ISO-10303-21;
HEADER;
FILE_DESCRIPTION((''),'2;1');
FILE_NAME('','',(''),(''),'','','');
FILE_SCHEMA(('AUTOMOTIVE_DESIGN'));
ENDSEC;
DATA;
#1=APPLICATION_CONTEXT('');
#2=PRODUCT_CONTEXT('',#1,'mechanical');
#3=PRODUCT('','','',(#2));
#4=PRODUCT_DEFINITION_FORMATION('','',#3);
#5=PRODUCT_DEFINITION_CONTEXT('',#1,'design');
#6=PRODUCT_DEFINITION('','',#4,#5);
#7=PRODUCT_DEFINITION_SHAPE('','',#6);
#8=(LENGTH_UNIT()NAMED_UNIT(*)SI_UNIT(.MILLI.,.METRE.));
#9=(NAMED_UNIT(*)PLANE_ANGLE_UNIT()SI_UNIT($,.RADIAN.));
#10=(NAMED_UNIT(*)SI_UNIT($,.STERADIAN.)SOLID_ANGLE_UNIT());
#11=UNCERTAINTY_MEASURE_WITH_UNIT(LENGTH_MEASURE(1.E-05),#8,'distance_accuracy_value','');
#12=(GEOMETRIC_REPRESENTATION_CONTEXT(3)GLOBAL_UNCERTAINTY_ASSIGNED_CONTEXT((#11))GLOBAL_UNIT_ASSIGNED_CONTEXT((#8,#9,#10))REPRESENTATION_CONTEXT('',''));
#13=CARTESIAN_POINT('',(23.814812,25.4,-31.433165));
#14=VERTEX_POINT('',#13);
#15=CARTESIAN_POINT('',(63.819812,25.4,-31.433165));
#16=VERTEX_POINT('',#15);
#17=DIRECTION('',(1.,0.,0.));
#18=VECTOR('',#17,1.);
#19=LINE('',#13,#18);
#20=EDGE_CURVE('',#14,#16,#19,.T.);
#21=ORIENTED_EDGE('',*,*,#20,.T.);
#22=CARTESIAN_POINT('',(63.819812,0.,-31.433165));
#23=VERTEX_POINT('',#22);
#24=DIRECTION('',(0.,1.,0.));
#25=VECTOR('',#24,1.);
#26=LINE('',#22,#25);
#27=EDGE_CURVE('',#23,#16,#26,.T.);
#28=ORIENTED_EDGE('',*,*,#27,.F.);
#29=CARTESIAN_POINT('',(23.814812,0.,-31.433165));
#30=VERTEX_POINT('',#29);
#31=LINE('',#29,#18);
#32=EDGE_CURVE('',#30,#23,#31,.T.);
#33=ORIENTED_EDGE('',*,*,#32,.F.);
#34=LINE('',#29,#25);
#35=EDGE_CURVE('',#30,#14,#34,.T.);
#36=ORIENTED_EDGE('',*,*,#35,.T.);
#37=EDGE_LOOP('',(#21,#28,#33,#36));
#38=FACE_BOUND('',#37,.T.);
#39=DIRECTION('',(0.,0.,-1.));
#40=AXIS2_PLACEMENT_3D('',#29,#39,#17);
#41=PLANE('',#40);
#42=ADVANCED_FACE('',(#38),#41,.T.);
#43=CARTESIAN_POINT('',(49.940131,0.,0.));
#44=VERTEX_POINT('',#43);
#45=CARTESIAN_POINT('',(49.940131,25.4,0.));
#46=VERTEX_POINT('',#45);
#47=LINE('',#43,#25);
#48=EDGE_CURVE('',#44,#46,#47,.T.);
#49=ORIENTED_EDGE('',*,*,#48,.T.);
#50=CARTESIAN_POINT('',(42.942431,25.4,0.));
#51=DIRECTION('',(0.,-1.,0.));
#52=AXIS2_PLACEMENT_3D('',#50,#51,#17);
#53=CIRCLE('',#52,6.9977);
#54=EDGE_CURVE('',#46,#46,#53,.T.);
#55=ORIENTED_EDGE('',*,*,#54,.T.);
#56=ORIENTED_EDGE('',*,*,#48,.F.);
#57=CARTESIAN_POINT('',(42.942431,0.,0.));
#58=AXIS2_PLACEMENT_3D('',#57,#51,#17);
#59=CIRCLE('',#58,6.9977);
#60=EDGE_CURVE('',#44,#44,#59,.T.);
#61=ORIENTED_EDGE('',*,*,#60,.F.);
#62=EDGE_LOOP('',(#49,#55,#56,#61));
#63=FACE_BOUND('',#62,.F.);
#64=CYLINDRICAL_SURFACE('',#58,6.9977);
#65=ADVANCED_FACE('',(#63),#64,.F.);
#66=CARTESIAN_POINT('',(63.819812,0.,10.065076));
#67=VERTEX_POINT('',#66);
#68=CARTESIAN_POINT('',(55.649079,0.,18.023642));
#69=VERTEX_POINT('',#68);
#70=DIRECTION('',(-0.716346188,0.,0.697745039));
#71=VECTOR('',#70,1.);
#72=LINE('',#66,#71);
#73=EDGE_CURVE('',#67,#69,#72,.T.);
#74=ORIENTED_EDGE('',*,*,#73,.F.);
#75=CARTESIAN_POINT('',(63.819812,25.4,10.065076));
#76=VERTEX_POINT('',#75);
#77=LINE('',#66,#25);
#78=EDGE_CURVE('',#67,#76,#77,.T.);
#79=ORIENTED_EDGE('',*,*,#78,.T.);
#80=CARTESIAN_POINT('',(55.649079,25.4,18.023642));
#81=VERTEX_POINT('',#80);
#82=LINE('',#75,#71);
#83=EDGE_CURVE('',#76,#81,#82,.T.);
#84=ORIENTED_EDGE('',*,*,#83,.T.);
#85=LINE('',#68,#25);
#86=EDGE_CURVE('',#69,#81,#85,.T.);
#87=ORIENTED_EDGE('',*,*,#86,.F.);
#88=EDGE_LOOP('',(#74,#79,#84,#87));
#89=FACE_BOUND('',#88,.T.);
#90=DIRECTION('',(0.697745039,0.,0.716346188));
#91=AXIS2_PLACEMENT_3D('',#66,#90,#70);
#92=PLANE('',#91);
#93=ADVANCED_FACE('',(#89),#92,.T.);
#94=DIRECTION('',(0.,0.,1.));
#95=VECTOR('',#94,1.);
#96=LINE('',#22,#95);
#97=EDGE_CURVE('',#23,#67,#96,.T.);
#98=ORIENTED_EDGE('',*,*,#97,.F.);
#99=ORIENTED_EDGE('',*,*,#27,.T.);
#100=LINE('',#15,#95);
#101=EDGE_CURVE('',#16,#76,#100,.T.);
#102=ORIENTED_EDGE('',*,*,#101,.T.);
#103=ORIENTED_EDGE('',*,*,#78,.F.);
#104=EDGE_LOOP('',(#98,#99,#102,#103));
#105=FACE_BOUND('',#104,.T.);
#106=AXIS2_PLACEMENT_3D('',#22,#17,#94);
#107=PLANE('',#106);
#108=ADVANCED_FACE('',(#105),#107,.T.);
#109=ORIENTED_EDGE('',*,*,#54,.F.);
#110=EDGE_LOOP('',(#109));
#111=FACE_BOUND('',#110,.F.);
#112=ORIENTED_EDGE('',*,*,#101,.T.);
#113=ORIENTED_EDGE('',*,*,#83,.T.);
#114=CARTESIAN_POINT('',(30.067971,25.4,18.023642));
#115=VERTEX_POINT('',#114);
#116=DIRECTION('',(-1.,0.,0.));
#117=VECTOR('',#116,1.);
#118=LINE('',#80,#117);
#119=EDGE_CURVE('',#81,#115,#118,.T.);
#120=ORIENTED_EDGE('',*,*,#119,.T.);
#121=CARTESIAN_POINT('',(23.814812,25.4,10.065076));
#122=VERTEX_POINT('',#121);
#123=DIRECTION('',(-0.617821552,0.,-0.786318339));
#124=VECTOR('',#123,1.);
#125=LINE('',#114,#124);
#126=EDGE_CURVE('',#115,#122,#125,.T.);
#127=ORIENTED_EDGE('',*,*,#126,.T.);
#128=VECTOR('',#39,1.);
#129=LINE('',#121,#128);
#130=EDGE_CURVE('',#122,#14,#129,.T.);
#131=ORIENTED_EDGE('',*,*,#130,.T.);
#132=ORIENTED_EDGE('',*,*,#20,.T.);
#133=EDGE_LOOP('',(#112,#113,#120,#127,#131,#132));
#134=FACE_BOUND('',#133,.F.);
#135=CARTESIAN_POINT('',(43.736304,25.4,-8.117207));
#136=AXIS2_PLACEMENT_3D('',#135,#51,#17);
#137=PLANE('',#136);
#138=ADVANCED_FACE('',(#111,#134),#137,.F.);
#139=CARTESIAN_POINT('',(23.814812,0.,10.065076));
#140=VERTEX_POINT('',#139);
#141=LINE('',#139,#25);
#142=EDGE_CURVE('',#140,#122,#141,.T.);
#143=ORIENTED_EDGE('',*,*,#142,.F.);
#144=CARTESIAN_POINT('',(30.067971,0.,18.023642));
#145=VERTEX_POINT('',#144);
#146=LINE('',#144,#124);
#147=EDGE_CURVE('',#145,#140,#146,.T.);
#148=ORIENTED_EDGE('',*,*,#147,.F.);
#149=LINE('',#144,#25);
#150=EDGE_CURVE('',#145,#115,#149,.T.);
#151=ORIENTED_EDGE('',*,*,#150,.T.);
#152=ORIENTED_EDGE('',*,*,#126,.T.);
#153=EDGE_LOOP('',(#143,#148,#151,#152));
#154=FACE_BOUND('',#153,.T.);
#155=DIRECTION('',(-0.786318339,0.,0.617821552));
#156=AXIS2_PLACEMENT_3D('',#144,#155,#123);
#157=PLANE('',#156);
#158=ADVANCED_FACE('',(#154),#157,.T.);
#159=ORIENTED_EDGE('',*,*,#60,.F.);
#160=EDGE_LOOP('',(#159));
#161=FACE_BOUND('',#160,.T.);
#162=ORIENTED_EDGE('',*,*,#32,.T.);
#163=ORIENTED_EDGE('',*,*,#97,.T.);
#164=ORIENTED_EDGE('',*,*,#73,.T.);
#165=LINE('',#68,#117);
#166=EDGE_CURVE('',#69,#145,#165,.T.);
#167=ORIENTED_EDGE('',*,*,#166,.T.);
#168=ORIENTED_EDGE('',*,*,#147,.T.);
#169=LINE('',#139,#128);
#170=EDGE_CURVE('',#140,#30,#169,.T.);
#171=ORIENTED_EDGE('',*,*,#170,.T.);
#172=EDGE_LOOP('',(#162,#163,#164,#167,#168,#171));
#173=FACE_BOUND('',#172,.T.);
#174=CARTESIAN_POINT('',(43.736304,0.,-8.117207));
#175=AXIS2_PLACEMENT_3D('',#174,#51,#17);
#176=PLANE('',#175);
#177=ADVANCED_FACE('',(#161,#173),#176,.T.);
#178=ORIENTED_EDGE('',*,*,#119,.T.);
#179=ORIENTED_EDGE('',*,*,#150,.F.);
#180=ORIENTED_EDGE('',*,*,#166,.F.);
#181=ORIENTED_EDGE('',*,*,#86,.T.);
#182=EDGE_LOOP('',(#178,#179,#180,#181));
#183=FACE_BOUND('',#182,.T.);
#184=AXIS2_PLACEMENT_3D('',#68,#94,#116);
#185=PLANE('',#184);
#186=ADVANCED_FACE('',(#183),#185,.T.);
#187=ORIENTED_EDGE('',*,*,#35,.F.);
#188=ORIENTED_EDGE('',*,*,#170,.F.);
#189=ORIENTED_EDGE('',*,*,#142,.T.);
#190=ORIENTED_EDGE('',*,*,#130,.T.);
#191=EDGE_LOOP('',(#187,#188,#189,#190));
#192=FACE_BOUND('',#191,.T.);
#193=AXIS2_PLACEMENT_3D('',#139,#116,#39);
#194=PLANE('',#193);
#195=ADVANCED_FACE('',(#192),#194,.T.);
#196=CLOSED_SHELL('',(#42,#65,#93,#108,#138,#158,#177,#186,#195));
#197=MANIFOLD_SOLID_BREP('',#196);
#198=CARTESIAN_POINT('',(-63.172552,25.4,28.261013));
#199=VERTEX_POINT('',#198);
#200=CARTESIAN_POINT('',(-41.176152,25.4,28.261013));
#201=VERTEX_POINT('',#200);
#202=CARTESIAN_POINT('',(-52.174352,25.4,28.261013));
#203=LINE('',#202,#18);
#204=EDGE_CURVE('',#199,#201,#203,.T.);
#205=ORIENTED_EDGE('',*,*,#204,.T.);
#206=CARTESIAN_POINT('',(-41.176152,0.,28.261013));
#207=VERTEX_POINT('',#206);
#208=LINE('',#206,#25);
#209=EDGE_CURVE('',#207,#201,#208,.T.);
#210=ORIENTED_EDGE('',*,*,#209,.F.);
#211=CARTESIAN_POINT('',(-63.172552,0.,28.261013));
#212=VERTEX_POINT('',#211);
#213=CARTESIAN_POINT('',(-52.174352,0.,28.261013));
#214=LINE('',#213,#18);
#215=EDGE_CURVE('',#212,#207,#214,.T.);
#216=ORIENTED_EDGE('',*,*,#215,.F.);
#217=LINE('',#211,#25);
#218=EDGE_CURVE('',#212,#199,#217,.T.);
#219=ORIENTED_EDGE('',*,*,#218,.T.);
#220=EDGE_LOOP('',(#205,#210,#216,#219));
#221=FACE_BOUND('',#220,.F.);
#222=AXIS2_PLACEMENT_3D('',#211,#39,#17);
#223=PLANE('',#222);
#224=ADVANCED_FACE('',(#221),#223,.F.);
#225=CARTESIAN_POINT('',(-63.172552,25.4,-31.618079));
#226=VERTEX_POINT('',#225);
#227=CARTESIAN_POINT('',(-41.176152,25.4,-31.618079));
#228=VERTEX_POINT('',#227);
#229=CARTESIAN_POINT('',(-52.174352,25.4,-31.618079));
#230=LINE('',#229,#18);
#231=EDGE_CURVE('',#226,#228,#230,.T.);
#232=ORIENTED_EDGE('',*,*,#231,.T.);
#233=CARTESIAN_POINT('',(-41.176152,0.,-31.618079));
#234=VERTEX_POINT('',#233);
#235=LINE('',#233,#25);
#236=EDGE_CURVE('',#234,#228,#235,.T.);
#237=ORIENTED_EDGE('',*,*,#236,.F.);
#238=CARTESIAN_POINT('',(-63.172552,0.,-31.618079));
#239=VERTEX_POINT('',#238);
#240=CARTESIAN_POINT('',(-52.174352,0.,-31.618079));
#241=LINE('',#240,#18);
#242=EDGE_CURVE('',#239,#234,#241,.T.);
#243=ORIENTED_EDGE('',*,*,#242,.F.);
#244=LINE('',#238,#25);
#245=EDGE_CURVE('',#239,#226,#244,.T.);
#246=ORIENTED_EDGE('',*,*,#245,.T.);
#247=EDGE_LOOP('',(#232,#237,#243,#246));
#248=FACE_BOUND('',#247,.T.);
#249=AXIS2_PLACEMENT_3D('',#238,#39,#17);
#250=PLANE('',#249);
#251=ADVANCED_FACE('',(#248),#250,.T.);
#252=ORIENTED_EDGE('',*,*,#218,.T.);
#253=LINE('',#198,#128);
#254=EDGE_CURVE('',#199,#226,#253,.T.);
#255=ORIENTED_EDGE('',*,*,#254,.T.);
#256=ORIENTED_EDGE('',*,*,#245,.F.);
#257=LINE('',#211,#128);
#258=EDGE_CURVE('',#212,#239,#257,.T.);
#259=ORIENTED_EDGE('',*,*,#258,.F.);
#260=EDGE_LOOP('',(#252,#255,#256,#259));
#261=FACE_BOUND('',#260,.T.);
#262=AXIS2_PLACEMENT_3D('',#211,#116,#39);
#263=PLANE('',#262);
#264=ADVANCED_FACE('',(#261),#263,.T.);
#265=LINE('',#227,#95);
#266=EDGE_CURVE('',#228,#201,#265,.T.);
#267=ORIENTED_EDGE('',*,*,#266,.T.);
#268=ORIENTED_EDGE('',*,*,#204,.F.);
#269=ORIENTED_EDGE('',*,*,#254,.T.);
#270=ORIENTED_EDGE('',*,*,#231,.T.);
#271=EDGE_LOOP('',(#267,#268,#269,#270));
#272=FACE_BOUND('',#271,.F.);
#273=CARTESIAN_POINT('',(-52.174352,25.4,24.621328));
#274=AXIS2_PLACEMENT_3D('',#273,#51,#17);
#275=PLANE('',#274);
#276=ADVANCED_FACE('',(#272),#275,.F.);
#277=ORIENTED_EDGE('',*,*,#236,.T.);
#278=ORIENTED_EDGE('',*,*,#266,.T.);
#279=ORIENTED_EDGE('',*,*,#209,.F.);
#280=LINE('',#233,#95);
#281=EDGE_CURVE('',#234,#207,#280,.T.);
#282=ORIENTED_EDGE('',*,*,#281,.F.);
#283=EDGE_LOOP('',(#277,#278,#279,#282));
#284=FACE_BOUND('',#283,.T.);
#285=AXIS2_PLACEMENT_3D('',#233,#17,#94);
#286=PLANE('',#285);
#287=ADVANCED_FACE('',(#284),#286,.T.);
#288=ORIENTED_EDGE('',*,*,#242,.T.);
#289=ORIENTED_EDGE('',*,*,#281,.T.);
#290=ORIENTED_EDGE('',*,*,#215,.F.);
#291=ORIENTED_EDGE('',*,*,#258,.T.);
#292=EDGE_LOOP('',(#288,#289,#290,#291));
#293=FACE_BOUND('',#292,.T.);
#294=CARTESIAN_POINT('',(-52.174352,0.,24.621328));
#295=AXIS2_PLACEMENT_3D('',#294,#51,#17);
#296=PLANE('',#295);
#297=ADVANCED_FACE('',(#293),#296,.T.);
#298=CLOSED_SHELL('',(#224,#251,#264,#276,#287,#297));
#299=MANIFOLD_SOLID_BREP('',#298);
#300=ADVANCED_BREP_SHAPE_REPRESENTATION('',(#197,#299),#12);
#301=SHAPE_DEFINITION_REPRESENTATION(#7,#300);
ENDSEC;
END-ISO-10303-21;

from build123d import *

# Parameters (mm, degrees)
F0_W     = 21.9964
F0_H     = 7.27937
F0_R     = 6.9977
F0_H_2   = 52.599722
F1_DEPTH = 25.4


with BuildPart() as f1:
    # F0 (on Front) → F1 (new body)
    with BuildSketch(Plane.XZ):
        with Locations((-52.174352, 24.621328)):
            Rectangle(F0_W, F0_H)
        Polygon((55.649079, 18.023642), (30.067971, 18.023642), (23.814812, 10.065076), (23.814812, -31.433165), (63.819812, -31.433165), (63.819812, 10.065076), align=None)
        with Locations((42.942431, 0)):
            Circle(F0_R, mode=Mode.SUBTRACT)
        with Locations((-52.174352, -5.318218)):
            Rectangle(F0_W, F0_H_2)
    extrude(amount=-F1_DEPTH)


solid = f1.part
